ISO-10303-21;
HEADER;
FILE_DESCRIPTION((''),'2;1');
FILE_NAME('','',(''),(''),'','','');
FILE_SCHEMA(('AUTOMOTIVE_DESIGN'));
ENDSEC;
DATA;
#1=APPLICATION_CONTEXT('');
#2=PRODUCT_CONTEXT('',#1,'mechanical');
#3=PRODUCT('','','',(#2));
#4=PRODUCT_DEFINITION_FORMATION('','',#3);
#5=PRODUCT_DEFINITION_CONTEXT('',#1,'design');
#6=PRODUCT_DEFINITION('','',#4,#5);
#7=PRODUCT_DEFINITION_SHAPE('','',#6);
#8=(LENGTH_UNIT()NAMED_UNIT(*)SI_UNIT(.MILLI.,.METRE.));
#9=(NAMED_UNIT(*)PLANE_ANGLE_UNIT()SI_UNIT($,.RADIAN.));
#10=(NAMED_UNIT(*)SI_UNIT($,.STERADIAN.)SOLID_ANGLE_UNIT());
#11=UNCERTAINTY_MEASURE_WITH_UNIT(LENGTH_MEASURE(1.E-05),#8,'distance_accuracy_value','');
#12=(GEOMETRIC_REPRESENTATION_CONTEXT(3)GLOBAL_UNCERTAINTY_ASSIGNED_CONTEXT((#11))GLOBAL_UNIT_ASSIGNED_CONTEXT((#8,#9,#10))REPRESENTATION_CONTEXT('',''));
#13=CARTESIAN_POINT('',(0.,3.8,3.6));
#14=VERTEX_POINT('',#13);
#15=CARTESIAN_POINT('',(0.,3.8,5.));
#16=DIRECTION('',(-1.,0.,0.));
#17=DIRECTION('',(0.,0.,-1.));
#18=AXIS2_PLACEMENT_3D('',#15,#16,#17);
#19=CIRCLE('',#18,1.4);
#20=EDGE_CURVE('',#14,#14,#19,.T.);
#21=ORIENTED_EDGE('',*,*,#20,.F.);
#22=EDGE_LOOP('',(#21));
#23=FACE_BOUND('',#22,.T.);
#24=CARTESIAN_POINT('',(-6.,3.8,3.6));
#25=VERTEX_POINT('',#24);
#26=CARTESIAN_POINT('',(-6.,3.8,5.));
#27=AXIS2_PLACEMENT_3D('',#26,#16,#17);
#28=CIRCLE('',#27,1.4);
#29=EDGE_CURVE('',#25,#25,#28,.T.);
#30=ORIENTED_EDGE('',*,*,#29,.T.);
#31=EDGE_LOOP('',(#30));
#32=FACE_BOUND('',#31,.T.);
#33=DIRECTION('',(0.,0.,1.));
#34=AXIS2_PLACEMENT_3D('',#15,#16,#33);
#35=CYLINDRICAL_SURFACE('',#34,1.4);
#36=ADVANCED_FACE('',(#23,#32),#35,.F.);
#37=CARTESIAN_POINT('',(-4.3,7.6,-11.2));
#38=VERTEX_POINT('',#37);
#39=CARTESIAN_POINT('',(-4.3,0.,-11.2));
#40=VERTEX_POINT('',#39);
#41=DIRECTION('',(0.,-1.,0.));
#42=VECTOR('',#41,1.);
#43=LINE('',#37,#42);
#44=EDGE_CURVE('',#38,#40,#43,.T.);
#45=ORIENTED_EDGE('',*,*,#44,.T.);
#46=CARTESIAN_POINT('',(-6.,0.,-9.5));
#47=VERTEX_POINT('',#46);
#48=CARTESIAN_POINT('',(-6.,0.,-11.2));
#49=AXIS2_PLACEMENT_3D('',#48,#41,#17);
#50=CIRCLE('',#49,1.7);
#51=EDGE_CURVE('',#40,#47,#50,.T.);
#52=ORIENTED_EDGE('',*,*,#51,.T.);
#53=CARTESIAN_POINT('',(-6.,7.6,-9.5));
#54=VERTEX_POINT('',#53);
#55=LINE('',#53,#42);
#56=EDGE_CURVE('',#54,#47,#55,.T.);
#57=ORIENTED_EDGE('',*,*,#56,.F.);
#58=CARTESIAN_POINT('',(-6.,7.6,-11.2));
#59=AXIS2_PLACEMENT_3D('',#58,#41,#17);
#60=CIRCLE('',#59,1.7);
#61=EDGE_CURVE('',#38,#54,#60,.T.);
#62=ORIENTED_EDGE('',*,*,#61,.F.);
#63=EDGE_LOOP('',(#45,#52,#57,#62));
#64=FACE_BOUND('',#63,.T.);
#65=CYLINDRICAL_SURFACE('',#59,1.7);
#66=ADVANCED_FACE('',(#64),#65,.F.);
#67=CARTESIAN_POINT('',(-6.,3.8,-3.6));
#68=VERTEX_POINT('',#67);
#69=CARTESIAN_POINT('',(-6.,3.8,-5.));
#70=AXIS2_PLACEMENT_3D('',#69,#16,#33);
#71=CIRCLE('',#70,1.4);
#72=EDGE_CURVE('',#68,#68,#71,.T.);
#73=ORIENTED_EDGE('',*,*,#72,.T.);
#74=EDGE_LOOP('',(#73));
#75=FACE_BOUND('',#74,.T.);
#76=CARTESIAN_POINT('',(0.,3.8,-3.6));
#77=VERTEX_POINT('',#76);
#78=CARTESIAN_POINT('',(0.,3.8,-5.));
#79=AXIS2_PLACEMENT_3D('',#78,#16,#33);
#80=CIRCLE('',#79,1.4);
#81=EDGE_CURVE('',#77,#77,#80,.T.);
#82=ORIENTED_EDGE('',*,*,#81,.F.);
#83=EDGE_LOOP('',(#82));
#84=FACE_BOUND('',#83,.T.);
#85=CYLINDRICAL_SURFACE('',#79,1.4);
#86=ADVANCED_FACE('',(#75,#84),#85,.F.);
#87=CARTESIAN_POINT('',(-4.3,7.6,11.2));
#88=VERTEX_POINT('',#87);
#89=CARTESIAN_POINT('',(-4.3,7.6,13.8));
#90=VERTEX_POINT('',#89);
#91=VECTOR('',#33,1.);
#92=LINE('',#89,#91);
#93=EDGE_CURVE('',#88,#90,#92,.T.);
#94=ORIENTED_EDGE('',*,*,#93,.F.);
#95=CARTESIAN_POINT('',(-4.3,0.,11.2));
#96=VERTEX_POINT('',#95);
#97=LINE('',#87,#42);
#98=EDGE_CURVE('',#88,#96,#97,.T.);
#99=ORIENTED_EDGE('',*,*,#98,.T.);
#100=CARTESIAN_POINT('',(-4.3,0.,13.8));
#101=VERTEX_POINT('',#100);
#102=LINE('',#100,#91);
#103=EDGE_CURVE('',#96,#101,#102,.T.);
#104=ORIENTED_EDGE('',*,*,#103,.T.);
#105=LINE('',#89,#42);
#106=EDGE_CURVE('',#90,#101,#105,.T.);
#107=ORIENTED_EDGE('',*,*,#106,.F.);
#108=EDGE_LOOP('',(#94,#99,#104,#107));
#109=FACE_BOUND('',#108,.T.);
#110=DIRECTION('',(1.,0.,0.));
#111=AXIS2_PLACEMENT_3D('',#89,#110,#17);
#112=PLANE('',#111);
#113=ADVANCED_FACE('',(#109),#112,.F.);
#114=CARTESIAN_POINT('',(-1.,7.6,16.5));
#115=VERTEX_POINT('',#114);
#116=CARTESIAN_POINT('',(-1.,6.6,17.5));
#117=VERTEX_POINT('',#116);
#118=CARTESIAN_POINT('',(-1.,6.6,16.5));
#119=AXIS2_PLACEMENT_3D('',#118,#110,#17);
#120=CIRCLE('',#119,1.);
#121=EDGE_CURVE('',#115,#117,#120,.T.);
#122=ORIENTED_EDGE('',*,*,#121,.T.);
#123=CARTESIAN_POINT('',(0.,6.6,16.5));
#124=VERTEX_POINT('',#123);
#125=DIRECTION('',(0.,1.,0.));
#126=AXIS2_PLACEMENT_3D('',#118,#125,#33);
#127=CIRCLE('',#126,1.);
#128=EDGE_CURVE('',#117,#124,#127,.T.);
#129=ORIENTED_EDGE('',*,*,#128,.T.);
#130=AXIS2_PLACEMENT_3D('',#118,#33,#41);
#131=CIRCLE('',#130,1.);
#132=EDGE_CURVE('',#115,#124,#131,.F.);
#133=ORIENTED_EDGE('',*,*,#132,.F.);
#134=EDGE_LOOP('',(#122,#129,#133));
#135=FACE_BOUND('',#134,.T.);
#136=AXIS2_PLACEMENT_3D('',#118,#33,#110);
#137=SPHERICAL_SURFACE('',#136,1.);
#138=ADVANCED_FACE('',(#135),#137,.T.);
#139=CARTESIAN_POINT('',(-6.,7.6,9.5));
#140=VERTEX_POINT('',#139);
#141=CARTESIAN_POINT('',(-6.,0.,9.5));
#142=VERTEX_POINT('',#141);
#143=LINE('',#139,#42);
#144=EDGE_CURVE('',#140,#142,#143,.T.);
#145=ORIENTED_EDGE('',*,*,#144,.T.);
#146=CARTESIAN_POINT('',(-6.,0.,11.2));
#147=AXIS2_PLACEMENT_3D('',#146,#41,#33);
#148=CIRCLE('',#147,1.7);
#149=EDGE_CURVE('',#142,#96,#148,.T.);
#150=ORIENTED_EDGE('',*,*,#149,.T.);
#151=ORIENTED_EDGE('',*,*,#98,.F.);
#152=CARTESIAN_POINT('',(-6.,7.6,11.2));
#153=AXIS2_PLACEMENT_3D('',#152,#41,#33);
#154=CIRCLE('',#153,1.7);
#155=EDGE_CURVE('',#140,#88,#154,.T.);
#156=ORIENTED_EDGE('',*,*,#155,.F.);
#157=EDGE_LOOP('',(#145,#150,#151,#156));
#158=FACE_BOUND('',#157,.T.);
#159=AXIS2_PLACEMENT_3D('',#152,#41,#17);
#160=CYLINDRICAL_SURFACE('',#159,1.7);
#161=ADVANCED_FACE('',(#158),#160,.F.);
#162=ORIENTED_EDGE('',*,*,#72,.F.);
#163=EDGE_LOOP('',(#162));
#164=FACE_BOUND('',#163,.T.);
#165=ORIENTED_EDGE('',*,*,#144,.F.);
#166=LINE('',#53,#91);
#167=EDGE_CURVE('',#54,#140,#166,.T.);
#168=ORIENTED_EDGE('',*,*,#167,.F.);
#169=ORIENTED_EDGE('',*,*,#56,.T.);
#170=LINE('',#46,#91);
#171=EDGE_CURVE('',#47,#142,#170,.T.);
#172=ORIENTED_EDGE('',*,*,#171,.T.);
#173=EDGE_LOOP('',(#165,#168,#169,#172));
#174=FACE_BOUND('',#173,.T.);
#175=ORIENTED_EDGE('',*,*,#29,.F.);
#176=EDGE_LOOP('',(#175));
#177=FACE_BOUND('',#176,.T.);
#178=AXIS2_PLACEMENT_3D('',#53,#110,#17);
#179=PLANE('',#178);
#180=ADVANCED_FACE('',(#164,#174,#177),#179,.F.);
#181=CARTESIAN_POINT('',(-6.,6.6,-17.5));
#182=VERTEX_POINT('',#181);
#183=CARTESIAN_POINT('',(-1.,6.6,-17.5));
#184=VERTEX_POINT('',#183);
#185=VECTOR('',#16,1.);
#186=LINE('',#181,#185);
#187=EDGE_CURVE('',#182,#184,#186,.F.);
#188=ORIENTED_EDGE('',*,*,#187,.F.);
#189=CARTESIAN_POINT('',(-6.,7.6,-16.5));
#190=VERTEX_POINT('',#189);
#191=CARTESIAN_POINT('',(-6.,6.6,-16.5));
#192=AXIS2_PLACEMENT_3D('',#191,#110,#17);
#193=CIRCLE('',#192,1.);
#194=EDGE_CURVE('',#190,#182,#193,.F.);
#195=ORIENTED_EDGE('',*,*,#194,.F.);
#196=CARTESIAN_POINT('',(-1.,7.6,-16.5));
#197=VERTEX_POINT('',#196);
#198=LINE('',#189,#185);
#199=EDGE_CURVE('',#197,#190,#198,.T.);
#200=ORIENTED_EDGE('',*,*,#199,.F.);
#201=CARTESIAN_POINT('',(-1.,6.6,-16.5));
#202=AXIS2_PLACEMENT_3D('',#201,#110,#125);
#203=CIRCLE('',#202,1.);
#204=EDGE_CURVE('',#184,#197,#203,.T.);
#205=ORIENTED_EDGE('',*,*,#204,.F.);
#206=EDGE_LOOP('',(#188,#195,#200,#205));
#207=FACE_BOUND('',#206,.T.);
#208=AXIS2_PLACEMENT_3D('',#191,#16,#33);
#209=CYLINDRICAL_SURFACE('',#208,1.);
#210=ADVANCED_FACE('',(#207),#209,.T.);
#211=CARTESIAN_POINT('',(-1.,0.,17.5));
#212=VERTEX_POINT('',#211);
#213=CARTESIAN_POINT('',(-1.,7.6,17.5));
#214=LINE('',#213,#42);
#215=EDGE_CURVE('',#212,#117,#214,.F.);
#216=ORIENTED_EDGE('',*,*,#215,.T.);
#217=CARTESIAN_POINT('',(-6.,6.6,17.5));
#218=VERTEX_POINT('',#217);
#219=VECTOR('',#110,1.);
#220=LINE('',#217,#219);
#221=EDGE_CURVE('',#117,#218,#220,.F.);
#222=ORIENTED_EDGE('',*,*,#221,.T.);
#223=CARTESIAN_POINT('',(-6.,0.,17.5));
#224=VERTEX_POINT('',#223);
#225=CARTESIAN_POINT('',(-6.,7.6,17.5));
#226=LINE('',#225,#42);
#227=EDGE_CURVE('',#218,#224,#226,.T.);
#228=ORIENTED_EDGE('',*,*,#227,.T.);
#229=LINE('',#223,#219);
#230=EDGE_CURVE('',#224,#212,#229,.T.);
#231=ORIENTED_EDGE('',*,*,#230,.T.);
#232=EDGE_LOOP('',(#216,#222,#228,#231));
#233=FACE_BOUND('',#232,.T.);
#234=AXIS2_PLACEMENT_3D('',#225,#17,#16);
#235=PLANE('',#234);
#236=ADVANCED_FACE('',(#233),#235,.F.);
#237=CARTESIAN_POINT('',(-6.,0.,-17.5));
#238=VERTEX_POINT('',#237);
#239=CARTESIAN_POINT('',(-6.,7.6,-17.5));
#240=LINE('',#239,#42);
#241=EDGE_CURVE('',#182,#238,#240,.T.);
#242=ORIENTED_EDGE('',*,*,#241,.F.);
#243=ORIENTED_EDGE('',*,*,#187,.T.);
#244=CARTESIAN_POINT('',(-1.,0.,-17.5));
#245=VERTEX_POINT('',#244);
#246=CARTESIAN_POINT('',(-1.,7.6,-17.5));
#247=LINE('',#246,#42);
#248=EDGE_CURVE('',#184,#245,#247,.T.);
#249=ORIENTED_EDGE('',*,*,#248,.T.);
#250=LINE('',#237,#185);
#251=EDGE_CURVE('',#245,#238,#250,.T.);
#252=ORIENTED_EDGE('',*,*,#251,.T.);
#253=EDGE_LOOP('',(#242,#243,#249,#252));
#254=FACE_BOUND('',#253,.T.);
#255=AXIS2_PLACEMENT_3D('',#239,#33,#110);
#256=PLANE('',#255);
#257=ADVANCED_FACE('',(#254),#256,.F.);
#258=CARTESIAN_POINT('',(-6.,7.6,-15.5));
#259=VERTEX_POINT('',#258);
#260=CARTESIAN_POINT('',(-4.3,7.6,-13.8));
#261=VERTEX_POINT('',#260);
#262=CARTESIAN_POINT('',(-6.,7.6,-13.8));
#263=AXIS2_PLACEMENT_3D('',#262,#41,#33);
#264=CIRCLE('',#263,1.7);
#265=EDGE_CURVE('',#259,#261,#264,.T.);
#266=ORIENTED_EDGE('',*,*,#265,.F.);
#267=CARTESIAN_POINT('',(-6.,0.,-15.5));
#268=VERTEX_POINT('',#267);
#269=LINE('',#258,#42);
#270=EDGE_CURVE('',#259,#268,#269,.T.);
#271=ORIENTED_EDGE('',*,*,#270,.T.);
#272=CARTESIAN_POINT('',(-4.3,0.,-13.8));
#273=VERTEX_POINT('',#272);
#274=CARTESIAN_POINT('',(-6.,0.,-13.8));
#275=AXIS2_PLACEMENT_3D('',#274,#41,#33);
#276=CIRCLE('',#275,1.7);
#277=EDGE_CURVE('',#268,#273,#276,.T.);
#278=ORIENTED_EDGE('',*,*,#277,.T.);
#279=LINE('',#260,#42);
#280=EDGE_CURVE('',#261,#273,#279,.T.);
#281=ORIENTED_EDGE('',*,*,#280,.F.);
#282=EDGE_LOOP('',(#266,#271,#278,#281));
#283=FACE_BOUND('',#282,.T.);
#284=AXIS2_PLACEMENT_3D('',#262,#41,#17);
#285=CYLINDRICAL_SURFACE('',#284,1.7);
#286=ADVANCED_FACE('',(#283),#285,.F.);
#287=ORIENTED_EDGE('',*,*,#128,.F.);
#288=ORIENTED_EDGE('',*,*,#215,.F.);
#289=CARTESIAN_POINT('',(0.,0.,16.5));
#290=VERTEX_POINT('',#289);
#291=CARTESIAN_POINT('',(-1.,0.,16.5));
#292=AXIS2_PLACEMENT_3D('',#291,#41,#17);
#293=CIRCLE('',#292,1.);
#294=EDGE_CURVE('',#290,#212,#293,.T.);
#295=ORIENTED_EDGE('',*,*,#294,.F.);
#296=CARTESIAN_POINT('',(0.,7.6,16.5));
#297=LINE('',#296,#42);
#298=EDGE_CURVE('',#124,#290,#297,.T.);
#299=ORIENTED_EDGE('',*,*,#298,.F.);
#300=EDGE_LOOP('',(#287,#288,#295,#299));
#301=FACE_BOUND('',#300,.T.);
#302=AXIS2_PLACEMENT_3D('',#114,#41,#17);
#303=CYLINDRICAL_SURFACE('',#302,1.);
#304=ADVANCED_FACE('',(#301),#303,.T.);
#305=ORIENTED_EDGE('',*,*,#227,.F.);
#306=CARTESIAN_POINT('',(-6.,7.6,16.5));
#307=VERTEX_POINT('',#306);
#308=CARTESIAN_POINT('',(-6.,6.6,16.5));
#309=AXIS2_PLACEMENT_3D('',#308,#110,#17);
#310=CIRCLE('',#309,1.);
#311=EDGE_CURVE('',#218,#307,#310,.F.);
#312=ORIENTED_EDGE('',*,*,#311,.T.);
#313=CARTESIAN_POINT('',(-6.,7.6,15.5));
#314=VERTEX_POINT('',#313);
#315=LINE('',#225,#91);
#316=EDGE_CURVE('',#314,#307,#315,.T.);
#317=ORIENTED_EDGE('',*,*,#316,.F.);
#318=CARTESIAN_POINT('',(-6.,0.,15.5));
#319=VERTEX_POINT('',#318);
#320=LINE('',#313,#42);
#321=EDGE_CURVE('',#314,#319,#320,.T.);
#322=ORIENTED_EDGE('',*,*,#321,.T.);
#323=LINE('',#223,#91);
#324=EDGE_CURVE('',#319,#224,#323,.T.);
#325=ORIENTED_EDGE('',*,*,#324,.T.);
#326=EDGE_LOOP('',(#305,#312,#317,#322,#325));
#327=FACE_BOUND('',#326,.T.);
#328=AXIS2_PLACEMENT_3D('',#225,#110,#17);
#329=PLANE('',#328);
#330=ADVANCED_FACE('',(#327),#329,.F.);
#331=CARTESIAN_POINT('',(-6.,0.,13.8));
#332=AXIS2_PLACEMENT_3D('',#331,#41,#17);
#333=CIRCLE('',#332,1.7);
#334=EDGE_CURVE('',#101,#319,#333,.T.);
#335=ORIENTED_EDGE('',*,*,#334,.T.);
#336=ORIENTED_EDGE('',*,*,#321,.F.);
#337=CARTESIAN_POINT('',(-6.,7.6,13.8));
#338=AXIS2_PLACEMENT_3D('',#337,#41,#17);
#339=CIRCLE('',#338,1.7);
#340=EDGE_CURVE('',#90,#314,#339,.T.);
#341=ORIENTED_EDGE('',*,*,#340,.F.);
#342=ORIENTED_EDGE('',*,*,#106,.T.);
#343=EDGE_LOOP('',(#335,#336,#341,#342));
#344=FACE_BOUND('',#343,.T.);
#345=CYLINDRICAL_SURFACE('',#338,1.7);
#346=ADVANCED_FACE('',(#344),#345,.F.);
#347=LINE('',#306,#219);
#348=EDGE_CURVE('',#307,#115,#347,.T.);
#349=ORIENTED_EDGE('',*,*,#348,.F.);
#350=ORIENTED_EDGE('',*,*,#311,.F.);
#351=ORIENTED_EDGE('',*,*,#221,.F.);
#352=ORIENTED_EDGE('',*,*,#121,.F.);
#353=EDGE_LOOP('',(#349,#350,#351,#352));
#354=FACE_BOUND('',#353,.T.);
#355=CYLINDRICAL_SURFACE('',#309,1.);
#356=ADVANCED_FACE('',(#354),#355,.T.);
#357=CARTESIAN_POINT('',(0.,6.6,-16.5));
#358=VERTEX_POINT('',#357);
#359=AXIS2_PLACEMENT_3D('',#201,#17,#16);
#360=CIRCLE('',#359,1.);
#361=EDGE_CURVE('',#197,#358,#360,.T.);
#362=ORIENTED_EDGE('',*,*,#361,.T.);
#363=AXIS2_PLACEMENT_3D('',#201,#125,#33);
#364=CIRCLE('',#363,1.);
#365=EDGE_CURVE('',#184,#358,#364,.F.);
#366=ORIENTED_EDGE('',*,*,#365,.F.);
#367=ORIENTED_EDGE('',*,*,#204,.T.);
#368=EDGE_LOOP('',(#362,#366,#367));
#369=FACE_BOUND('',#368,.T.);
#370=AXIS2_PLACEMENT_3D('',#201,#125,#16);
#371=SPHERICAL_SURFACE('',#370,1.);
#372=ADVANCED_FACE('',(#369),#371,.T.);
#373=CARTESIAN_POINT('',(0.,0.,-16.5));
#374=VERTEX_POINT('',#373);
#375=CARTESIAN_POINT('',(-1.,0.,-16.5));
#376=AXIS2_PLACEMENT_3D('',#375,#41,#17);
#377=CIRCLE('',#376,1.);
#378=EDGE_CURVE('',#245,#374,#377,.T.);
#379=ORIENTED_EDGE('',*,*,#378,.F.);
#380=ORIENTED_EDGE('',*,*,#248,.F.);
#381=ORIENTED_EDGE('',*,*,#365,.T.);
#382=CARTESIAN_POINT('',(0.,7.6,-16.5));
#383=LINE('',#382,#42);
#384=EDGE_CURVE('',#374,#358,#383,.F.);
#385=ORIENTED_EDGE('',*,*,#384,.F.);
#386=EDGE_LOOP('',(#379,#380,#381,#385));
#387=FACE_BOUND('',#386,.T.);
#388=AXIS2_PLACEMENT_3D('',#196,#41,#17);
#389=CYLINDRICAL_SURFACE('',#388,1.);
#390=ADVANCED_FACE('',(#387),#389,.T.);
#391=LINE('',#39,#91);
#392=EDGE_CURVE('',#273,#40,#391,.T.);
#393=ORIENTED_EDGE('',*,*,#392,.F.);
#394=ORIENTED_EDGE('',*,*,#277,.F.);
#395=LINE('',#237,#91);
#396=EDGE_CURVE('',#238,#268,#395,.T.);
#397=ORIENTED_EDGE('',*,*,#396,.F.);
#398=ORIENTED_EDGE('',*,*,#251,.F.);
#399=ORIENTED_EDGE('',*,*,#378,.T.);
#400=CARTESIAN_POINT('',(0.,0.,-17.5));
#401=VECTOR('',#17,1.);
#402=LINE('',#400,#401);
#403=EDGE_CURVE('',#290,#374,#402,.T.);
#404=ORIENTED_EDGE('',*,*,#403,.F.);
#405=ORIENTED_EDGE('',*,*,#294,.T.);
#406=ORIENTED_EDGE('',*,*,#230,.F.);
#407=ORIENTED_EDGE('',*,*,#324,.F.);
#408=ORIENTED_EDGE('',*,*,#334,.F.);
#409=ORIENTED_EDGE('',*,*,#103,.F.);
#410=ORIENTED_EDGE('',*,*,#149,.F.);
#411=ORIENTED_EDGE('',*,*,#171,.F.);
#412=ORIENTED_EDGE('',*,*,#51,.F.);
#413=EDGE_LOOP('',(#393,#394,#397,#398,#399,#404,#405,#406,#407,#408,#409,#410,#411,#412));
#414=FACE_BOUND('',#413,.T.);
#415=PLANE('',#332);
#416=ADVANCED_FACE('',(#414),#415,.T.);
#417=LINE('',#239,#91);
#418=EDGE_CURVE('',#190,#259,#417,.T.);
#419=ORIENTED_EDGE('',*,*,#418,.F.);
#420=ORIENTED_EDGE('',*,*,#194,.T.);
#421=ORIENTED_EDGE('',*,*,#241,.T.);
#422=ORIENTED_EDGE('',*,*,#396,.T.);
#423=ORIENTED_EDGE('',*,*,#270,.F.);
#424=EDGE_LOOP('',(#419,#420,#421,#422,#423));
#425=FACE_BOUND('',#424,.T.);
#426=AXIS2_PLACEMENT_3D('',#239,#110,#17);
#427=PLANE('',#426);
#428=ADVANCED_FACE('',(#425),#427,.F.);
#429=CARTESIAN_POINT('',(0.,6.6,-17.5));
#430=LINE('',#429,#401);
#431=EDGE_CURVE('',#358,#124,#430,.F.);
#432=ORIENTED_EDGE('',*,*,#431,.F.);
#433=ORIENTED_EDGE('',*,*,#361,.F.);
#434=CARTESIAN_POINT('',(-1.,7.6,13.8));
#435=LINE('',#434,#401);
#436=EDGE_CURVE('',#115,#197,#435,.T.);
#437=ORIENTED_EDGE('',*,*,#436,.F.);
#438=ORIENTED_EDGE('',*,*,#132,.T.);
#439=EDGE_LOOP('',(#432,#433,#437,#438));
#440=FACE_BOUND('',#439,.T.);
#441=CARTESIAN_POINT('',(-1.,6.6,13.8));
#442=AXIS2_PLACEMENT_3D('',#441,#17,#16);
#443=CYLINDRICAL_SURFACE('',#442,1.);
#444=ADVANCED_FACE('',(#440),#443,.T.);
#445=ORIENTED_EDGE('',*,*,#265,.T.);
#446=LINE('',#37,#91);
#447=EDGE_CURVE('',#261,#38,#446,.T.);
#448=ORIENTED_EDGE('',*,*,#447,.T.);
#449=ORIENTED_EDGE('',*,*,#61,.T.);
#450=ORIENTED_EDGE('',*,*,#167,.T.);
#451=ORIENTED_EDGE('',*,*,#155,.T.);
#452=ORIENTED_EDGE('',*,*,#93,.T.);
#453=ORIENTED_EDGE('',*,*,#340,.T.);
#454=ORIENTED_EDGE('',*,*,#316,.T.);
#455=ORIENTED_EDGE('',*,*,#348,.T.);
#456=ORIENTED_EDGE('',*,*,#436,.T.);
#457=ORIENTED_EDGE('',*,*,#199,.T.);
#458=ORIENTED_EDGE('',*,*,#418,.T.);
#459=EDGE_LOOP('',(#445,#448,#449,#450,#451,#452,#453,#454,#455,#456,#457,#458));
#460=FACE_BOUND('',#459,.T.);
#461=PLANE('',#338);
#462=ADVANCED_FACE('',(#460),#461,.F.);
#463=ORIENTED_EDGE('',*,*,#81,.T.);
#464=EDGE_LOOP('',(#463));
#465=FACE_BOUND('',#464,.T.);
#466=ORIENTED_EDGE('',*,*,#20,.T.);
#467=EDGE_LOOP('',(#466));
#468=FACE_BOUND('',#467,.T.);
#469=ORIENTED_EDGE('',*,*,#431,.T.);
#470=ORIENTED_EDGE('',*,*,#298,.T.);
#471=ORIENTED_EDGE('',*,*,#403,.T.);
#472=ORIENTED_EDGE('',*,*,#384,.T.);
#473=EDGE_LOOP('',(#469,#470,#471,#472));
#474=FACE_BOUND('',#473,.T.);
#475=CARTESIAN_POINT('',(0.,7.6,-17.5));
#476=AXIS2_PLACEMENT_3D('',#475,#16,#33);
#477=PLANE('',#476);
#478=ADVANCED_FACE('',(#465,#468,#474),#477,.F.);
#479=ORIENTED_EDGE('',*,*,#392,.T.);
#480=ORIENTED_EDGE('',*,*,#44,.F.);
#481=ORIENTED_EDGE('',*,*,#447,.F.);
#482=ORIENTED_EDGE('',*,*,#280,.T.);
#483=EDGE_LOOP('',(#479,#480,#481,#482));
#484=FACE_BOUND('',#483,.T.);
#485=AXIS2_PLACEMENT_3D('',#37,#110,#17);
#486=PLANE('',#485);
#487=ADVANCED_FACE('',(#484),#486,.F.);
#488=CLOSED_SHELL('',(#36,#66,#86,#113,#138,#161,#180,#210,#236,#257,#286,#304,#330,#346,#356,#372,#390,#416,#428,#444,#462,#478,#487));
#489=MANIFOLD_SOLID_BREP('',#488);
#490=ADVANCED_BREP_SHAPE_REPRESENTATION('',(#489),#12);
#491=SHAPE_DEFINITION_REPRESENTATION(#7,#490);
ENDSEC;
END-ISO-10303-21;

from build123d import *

# Parameters (mm, degrees)
BASE_DEPTH           = 7.6
SKETCH2_R            = 1.4
SCREW_HOLES_DEPTH    = 21.000249998
F_1MM_EDGE_FILLETS_R = 1


with BuildPart() as part:
    # Sketch1 → Base (new body)
    with BuildSketch(Plane(origin=(0, 0, 0), x_dir=(1, 0, 0), z_dir=(0, 1, 0))):
        with BuildLine():
            Line((-6, 17.5), (-6, 15.5))
            ThreePointArc((-6, 15.5), (-4.797918472, 15.002081528), (-4.3, 13.8))
            Line((-4.3, 13.8), (-4.3, 11.2))
            ThreePointArc((-4.3, 11.2), (-4.797918472, 9.997918472), (-6, 9.5))
            Line((-6, 9.5), (-6, -9.5))
            ThreePointArc((-6, -9.5), (-4.797918472, -9.997918472), (-4.3, -11.2))
            Line((-4.3, -11.2), (-4.3, -13.8))
            ThreePointArc((-4.3, -13.8), (-4.797918472, -15.002081528), (-6, -15.5))
            Line((-6, -15.5), (-6, -17.5))
            Line((-6, -17.5), (0, -17.5))
            Line((0, -17.5), (0, 17.5))
            Line((0, 17.5), (-6, 17.5))
        make_face()
    extrude(amount=BASE_DEPTH)

    # Sketch2 → Screw Holes (cut, through all)
    with BuildSketch(Plane.ZY.offset(6)):
        with Locations((-5, 3.8)):
            Circle(SKETCH2_R)
        with Locations(Location((5, 3.8, 0), (0, 0, 180))):
            Circle(SKETCH2_R)
    extrude(amount=-SCREW_HOLES_DEPTH, mode=Mode.SUBTRACT)

    # 1mm Edge Fillets
    f_1mm_edge_fillets_edges = [part.edges().sort_by_distance(p)[0] for p in [
        (0, 3.8, -17.5),
        (0, 3.8, 17.5),
        (-3, 7.6, 17.5),
        (0, 7.6, 0),
        (-3, 7.6, -17.5),
    ]]
    fillet(f_1mm_edge_fillets_edges, radius=F_1MM_EDGE_FILLETS_R)


solid = part.part
